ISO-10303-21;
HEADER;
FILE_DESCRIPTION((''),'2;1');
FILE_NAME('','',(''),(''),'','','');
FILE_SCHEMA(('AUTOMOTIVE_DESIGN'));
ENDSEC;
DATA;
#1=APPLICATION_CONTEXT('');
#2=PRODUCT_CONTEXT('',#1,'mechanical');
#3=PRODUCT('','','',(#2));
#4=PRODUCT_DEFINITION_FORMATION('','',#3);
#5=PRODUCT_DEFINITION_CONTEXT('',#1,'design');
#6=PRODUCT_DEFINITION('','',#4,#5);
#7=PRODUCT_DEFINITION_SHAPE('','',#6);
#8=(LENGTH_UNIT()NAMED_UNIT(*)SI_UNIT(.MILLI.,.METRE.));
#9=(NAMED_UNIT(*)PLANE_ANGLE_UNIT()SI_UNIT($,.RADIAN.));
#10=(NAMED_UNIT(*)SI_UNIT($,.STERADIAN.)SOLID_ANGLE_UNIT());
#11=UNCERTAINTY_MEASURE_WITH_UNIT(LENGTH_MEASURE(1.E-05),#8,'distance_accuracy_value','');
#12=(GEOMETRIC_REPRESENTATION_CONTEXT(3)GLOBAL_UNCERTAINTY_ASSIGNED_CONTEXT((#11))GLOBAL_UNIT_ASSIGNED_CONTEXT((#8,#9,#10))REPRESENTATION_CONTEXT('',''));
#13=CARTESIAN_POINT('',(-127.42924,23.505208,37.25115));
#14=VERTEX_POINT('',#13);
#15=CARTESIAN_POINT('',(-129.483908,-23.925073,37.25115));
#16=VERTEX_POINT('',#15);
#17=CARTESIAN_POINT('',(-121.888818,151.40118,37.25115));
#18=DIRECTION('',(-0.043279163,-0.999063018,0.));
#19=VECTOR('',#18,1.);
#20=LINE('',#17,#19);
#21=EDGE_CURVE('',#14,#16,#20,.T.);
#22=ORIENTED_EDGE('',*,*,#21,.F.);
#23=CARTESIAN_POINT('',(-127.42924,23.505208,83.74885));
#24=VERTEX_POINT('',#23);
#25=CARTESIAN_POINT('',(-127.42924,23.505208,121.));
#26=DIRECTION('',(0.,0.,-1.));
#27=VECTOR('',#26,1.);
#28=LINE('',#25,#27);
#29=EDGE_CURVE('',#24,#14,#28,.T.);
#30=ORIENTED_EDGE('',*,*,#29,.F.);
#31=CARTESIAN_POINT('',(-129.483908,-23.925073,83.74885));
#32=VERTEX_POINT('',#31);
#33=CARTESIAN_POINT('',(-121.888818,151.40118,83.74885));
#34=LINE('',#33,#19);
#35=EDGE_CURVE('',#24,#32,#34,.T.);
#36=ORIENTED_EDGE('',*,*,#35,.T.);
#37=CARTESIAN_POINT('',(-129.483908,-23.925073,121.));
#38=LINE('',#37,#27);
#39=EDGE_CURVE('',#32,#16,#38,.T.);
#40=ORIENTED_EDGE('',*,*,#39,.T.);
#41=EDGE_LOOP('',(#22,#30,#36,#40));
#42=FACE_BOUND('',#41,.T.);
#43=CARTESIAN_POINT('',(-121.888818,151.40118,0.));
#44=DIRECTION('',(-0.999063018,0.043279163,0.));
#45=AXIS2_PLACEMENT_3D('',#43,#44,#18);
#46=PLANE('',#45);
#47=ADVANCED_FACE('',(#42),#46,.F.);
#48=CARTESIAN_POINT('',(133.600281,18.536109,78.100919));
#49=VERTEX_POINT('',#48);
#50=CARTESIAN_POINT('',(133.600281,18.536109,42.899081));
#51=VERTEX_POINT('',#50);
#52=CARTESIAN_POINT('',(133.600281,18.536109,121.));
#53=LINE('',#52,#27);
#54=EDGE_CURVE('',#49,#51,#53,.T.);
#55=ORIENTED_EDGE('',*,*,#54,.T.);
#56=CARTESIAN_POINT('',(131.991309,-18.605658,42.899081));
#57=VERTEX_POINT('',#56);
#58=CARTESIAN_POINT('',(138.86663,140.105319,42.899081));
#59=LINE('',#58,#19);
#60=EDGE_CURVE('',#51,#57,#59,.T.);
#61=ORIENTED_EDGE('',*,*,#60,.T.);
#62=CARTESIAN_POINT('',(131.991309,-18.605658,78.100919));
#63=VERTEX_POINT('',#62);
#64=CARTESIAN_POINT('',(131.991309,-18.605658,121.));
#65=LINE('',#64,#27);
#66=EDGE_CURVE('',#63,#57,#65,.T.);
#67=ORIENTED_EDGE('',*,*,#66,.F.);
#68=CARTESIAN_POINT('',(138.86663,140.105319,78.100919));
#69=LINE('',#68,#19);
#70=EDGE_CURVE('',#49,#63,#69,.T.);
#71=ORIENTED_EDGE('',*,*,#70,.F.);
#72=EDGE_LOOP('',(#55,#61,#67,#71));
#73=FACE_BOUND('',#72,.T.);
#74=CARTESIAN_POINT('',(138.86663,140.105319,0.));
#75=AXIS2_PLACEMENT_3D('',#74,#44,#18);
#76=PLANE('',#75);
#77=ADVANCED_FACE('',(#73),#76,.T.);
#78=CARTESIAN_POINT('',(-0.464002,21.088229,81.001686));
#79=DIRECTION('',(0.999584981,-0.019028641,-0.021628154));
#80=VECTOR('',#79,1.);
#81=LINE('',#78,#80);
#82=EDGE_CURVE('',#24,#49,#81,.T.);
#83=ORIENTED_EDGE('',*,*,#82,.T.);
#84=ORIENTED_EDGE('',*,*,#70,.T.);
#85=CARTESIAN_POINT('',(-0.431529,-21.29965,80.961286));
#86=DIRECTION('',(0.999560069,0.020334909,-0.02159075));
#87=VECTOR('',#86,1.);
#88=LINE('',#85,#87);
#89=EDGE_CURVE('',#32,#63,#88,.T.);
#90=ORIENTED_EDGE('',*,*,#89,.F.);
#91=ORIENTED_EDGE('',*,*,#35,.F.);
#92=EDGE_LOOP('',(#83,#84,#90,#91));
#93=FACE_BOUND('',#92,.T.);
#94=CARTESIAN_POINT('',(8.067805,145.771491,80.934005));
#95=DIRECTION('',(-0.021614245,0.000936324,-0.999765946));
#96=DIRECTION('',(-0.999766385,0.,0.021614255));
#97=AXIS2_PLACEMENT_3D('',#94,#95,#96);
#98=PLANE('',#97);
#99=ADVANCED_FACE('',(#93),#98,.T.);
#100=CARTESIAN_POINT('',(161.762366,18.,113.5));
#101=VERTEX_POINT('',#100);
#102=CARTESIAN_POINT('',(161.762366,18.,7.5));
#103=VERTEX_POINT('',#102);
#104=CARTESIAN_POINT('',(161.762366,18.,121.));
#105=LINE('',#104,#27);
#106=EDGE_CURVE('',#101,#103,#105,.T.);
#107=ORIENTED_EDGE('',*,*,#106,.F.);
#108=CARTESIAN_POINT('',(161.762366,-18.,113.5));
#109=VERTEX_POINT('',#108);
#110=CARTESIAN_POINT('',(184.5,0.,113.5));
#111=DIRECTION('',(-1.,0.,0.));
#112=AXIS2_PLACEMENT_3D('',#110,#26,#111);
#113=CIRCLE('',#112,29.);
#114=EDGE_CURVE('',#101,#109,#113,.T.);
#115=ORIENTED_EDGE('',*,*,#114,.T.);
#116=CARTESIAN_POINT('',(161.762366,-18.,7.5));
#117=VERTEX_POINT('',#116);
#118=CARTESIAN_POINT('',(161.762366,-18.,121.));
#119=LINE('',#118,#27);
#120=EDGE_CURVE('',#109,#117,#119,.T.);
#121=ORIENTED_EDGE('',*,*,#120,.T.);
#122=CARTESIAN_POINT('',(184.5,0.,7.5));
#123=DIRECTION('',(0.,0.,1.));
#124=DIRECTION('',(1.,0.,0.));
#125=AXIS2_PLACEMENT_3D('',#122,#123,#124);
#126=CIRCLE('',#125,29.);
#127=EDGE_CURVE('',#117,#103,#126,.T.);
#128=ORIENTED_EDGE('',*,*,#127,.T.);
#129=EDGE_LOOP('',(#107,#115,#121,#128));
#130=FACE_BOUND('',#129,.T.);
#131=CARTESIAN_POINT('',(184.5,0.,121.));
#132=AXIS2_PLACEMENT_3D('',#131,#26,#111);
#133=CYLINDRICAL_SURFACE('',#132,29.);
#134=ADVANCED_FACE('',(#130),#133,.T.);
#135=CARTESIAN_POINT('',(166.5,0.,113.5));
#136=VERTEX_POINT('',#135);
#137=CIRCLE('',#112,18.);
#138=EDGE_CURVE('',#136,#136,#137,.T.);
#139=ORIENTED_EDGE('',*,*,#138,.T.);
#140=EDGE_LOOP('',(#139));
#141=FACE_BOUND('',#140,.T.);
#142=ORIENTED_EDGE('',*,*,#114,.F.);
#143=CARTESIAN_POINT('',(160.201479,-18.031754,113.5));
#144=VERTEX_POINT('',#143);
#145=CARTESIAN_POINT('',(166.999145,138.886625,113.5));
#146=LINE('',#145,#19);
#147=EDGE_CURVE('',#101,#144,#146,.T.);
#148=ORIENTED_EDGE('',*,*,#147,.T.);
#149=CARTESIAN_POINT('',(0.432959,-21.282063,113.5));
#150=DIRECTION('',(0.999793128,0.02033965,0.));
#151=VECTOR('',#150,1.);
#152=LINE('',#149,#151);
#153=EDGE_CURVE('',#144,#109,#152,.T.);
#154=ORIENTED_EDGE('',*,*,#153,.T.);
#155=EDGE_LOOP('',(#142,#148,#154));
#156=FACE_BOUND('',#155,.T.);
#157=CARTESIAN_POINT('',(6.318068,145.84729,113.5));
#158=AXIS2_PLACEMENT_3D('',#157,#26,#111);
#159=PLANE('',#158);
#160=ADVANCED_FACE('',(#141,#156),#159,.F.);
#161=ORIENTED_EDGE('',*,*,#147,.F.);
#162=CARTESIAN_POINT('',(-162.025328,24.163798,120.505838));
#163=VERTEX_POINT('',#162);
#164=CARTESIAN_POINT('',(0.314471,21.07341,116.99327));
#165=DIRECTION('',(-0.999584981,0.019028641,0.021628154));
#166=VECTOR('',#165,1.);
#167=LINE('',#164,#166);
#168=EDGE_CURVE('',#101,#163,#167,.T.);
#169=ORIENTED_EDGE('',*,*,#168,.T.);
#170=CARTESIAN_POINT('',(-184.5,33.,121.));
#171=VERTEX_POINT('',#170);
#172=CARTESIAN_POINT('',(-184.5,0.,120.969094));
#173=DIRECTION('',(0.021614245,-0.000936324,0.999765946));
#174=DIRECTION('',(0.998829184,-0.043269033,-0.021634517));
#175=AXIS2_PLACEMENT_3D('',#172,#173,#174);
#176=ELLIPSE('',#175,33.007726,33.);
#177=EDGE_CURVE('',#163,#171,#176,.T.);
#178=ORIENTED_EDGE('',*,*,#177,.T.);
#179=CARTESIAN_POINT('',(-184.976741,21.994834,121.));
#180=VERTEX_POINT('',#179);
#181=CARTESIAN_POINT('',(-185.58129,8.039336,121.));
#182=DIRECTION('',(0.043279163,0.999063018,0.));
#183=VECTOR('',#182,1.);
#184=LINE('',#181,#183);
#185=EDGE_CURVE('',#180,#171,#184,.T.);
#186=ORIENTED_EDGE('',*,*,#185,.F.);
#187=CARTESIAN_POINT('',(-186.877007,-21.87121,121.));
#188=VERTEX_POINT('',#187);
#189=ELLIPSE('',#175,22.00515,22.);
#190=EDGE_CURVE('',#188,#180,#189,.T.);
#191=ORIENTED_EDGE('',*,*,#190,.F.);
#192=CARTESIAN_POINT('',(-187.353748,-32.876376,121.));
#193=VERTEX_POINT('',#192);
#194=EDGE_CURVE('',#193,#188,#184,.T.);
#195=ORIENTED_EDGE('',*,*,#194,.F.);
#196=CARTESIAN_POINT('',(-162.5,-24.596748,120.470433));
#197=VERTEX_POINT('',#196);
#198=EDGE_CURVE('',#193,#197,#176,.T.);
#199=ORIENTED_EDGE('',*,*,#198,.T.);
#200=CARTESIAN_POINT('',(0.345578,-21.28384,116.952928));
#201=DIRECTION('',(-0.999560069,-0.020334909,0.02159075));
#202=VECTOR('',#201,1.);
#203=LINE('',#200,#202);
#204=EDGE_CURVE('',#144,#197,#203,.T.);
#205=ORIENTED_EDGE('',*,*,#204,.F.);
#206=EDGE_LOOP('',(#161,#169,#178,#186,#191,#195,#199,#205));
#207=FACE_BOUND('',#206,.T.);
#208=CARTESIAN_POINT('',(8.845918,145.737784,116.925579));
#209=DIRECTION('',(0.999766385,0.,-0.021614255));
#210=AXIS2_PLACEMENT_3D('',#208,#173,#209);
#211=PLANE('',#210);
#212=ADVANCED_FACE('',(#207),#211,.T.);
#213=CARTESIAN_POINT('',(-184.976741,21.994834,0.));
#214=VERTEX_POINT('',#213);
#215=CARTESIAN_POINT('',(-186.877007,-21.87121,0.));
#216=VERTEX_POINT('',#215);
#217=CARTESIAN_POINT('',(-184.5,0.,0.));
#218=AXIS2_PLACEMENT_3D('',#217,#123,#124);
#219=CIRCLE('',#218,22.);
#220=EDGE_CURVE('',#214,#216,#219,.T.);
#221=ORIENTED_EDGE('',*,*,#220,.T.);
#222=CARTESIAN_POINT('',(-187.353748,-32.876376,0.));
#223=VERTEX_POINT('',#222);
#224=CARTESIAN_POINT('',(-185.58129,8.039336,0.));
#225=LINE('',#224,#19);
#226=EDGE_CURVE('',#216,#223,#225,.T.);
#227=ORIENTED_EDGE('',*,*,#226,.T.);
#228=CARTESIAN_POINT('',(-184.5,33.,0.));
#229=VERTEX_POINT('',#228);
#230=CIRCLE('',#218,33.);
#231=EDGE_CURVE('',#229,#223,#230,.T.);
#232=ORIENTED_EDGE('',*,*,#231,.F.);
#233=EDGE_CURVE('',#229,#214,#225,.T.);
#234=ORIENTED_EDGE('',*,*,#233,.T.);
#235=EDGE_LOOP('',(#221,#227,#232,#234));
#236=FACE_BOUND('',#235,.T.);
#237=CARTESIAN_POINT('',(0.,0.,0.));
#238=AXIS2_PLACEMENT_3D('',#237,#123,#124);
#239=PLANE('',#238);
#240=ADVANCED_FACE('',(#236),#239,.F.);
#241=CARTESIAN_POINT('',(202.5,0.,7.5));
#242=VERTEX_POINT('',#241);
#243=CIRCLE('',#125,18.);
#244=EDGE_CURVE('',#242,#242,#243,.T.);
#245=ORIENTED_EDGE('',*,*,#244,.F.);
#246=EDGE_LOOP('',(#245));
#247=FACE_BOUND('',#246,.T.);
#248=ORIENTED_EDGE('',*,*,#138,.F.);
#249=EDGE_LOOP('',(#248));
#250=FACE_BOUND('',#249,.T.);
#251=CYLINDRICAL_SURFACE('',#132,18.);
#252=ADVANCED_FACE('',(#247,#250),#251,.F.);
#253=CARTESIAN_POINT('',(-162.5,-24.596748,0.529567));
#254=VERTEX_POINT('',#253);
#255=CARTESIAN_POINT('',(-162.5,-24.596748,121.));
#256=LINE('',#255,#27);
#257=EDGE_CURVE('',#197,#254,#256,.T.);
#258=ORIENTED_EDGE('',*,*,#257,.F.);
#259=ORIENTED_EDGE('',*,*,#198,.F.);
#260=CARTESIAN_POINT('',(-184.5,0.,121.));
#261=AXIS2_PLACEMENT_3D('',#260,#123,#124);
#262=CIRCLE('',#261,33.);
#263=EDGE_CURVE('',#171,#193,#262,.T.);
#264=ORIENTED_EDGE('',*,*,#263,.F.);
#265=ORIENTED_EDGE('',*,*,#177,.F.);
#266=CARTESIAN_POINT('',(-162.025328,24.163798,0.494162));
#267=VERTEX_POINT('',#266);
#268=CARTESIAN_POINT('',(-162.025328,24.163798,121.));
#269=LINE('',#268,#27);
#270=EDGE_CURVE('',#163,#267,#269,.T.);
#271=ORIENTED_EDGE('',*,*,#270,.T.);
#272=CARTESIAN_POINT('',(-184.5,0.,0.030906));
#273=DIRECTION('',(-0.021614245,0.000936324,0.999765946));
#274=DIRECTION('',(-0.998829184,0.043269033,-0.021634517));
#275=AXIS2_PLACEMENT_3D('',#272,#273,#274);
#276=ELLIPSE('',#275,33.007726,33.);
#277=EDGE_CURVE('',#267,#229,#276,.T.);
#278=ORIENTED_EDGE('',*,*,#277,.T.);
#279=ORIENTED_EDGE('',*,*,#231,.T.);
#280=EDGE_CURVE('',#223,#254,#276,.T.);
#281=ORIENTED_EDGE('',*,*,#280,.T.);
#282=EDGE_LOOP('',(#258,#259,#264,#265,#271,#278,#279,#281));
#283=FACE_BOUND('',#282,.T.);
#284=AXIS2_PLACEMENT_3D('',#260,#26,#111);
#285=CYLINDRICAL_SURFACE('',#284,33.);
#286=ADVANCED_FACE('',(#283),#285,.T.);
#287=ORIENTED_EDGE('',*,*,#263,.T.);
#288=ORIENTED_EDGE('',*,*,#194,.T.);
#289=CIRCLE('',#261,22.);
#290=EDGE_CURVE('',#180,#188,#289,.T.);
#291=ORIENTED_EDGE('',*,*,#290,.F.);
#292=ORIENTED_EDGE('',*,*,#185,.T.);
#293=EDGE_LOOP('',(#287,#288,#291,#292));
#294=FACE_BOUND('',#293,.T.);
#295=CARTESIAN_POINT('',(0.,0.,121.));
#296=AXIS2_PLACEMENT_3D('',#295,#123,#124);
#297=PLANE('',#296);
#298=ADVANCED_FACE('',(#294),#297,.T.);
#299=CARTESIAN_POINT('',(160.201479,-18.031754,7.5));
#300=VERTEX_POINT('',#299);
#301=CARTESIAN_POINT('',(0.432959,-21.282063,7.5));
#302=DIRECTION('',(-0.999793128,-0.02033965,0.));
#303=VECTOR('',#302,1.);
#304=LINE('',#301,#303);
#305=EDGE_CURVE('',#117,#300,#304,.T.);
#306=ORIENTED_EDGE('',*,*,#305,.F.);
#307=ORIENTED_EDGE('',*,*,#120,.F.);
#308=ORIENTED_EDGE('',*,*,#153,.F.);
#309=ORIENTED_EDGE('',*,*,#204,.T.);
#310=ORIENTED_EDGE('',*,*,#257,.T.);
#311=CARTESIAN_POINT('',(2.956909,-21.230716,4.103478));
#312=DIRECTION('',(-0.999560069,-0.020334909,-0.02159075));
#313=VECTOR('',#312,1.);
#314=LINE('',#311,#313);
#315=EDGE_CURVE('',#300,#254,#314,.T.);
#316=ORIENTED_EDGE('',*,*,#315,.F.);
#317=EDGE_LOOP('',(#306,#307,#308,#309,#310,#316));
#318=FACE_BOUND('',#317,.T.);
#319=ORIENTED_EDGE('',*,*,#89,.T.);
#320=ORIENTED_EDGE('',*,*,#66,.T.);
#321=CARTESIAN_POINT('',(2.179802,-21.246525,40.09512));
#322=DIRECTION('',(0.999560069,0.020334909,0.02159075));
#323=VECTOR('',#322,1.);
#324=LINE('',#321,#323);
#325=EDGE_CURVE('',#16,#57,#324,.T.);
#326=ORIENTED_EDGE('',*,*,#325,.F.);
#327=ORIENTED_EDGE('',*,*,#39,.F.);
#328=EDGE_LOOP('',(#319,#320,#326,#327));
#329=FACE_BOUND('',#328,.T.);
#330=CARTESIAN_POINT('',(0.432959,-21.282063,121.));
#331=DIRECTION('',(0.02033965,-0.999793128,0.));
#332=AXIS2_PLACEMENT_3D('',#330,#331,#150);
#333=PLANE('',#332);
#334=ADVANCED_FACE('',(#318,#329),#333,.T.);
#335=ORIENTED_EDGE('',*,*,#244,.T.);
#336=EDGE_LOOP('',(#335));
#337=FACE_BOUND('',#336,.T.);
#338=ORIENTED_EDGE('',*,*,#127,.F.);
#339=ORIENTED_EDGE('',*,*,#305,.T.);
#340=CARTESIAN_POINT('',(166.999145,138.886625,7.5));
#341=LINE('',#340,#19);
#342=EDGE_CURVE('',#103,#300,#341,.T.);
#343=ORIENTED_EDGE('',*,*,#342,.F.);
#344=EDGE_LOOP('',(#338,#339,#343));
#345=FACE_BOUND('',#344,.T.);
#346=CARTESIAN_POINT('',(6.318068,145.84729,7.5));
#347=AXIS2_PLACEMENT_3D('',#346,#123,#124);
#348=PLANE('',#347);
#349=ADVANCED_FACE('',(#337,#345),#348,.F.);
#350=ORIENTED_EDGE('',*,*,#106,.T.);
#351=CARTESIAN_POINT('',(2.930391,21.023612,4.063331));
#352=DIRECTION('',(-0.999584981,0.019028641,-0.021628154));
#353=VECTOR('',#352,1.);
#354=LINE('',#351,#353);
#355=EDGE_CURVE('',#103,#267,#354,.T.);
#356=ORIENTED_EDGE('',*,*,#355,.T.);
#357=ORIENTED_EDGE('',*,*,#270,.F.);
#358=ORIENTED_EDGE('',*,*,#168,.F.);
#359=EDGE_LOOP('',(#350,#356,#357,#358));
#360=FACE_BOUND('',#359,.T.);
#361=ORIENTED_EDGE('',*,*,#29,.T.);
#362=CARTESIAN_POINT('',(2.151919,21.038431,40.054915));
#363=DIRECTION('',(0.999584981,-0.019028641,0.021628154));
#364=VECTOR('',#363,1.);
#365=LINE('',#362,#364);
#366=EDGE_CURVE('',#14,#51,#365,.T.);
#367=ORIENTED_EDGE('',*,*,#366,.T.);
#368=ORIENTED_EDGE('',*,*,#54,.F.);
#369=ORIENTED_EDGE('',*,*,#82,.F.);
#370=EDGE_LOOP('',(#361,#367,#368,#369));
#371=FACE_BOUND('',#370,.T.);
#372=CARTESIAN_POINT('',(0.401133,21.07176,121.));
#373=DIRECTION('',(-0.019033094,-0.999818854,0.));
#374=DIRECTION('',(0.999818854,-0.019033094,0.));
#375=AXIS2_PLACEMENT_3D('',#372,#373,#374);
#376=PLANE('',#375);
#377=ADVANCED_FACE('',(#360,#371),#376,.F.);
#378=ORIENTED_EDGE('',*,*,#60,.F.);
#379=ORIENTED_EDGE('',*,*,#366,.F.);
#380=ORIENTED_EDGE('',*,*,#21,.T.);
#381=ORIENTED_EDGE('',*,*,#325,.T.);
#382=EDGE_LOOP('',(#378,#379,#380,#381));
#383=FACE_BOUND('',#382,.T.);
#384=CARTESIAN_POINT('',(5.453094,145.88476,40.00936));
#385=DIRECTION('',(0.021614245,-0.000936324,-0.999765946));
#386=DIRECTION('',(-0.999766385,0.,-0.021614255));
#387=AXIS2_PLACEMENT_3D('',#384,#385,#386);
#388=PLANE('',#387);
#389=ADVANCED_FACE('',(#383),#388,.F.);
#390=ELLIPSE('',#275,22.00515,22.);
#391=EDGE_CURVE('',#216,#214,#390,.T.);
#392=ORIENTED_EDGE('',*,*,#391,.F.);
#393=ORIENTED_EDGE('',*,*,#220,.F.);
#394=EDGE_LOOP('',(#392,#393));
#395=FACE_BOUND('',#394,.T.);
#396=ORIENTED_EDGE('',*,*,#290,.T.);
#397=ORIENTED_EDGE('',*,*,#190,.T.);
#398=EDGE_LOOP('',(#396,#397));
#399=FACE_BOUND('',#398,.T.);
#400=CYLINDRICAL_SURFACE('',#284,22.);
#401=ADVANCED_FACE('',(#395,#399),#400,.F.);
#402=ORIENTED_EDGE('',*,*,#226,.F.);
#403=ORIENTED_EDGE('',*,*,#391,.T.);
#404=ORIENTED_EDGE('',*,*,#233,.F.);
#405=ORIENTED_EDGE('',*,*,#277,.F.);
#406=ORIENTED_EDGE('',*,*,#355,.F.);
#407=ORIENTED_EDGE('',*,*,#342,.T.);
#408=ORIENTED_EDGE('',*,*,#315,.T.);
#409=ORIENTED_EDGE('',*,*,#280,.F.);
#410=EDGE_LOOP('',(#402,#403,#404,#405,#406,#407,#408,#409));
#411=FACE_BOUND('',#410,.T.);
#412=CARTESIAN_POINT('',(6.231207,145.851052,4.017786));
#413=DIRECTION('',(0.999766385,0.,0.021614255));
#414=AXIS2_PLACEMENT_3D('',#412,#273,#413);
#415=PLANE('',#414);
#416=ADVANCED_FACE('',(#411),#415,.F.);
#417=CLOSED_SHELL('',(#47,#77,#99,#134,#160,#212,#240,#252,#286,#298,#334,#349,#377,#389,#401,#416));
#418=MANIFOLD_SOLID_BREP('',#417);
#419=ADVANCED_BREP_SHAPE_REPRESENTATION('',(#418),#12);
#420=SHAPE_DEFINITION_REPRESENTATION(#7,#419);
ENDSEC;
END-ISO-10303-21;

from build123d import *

# Parameters (mm, degrees)
SKETCH1_R               = 22
SKETCH1_R_2             = 18
BOSS_EXTRUDE1_DEPTH     = 121
CUT_EXTRUDE2_DEPTH      = 121
CUT_EXTRUDE2_DEPTH_BACK = 121
CUT_EXTRUDE3_DEPTH      = 121
CUT_EXTRUDE3_DEPTH_BACK = 121


with BuildPart() as part:
    # Sketch1 → Boss-Extrude1 (new body)
    with BuildSketch(Plane.XY):
        with BuildLine():
            ThreePointArc((161.762365998, -18), (213.5, 0), (161.762365998, 18))
            Line((161.762365998, 18), (-162.025328377, 24.163798034))
            ThreePointArc((-162.025328377, 24.163798034), (-217.498436483, 0.321231462), (-162.5, -24.596747752))
            Line((-162.5, -24.596747752), (161.762365998, -18))
        make_face()
        with Locations((-184.5, 0)):
            Circle(SKETCH1_R, mode=Mode.SUBTRACT)
        with Locations((184.5, 0)):
            Circle(SKETCH1_R_2, mode=Mode.SUBTRACT)
    extrude(amount=BOSS_EXTRUDE1_DEPTH)

    # Sketch3 → Cut-Extrude2 (cut, two sides: drawn at the far end of the back side and taken through both)
    with BuildSketch(Plane(origin=(1.081289807, 24.960664454, 0), x_dir=(0.9990630180709081, -0.043279162688854546, 0), z_dir=(0.043279162688854546, 0.9990630180709081, 0)).offset(-CUT_EXTRUDE2_DEPTH_BACK)):
        Polygon((-185.755339203, 0), (160.831772656, -7.5), (275.239090967, -7.5), (275.239090967, 54.458825012), (-286.583387746, 54.458825012), (-286.583387746, 0), align=None)
        Polygon((275.239090967, -113.5), (160.831772656, -113.5), (-185.755339203, -121), (-286.583387746, -121), (-286.583387746, -184.896957676), (275.239090967, -184.896957676), align=None)
    extrude(amount=CUT_EXTRUDE2_DEPTH + CUT_EXTRUDE2_DEPTH_BACK, mode=Mode.SUBTRACT)

    # Sketch4 → Cut-Extrude3 (cut, two sides: drawn at the far end of the back side and taken through both)
    with BuildSketch(Plane(origin=(1.081289807, 24.960664454, 0), x_dir=(0.9990630180709081, -0.043279162688854546, 0), z_dir=(0.043279162688854546, 0.9990630180709081, 0)).offset(-CUT_EXTRUDE3_DEPTH_BACK)):
        Polygon((132.672873166, -42.899081104), (-128.327126834, -37.251150373), (-128.327126834, -83.748849627), (132.672873166, -78.100918896), align=None)
    extrude(amount=CUT_EXTRUDE3_DEPTH + CUT_EXTRUDE3_DEPTH_BACK, mode=Mode.SUBTRACT)


solid = part.part
